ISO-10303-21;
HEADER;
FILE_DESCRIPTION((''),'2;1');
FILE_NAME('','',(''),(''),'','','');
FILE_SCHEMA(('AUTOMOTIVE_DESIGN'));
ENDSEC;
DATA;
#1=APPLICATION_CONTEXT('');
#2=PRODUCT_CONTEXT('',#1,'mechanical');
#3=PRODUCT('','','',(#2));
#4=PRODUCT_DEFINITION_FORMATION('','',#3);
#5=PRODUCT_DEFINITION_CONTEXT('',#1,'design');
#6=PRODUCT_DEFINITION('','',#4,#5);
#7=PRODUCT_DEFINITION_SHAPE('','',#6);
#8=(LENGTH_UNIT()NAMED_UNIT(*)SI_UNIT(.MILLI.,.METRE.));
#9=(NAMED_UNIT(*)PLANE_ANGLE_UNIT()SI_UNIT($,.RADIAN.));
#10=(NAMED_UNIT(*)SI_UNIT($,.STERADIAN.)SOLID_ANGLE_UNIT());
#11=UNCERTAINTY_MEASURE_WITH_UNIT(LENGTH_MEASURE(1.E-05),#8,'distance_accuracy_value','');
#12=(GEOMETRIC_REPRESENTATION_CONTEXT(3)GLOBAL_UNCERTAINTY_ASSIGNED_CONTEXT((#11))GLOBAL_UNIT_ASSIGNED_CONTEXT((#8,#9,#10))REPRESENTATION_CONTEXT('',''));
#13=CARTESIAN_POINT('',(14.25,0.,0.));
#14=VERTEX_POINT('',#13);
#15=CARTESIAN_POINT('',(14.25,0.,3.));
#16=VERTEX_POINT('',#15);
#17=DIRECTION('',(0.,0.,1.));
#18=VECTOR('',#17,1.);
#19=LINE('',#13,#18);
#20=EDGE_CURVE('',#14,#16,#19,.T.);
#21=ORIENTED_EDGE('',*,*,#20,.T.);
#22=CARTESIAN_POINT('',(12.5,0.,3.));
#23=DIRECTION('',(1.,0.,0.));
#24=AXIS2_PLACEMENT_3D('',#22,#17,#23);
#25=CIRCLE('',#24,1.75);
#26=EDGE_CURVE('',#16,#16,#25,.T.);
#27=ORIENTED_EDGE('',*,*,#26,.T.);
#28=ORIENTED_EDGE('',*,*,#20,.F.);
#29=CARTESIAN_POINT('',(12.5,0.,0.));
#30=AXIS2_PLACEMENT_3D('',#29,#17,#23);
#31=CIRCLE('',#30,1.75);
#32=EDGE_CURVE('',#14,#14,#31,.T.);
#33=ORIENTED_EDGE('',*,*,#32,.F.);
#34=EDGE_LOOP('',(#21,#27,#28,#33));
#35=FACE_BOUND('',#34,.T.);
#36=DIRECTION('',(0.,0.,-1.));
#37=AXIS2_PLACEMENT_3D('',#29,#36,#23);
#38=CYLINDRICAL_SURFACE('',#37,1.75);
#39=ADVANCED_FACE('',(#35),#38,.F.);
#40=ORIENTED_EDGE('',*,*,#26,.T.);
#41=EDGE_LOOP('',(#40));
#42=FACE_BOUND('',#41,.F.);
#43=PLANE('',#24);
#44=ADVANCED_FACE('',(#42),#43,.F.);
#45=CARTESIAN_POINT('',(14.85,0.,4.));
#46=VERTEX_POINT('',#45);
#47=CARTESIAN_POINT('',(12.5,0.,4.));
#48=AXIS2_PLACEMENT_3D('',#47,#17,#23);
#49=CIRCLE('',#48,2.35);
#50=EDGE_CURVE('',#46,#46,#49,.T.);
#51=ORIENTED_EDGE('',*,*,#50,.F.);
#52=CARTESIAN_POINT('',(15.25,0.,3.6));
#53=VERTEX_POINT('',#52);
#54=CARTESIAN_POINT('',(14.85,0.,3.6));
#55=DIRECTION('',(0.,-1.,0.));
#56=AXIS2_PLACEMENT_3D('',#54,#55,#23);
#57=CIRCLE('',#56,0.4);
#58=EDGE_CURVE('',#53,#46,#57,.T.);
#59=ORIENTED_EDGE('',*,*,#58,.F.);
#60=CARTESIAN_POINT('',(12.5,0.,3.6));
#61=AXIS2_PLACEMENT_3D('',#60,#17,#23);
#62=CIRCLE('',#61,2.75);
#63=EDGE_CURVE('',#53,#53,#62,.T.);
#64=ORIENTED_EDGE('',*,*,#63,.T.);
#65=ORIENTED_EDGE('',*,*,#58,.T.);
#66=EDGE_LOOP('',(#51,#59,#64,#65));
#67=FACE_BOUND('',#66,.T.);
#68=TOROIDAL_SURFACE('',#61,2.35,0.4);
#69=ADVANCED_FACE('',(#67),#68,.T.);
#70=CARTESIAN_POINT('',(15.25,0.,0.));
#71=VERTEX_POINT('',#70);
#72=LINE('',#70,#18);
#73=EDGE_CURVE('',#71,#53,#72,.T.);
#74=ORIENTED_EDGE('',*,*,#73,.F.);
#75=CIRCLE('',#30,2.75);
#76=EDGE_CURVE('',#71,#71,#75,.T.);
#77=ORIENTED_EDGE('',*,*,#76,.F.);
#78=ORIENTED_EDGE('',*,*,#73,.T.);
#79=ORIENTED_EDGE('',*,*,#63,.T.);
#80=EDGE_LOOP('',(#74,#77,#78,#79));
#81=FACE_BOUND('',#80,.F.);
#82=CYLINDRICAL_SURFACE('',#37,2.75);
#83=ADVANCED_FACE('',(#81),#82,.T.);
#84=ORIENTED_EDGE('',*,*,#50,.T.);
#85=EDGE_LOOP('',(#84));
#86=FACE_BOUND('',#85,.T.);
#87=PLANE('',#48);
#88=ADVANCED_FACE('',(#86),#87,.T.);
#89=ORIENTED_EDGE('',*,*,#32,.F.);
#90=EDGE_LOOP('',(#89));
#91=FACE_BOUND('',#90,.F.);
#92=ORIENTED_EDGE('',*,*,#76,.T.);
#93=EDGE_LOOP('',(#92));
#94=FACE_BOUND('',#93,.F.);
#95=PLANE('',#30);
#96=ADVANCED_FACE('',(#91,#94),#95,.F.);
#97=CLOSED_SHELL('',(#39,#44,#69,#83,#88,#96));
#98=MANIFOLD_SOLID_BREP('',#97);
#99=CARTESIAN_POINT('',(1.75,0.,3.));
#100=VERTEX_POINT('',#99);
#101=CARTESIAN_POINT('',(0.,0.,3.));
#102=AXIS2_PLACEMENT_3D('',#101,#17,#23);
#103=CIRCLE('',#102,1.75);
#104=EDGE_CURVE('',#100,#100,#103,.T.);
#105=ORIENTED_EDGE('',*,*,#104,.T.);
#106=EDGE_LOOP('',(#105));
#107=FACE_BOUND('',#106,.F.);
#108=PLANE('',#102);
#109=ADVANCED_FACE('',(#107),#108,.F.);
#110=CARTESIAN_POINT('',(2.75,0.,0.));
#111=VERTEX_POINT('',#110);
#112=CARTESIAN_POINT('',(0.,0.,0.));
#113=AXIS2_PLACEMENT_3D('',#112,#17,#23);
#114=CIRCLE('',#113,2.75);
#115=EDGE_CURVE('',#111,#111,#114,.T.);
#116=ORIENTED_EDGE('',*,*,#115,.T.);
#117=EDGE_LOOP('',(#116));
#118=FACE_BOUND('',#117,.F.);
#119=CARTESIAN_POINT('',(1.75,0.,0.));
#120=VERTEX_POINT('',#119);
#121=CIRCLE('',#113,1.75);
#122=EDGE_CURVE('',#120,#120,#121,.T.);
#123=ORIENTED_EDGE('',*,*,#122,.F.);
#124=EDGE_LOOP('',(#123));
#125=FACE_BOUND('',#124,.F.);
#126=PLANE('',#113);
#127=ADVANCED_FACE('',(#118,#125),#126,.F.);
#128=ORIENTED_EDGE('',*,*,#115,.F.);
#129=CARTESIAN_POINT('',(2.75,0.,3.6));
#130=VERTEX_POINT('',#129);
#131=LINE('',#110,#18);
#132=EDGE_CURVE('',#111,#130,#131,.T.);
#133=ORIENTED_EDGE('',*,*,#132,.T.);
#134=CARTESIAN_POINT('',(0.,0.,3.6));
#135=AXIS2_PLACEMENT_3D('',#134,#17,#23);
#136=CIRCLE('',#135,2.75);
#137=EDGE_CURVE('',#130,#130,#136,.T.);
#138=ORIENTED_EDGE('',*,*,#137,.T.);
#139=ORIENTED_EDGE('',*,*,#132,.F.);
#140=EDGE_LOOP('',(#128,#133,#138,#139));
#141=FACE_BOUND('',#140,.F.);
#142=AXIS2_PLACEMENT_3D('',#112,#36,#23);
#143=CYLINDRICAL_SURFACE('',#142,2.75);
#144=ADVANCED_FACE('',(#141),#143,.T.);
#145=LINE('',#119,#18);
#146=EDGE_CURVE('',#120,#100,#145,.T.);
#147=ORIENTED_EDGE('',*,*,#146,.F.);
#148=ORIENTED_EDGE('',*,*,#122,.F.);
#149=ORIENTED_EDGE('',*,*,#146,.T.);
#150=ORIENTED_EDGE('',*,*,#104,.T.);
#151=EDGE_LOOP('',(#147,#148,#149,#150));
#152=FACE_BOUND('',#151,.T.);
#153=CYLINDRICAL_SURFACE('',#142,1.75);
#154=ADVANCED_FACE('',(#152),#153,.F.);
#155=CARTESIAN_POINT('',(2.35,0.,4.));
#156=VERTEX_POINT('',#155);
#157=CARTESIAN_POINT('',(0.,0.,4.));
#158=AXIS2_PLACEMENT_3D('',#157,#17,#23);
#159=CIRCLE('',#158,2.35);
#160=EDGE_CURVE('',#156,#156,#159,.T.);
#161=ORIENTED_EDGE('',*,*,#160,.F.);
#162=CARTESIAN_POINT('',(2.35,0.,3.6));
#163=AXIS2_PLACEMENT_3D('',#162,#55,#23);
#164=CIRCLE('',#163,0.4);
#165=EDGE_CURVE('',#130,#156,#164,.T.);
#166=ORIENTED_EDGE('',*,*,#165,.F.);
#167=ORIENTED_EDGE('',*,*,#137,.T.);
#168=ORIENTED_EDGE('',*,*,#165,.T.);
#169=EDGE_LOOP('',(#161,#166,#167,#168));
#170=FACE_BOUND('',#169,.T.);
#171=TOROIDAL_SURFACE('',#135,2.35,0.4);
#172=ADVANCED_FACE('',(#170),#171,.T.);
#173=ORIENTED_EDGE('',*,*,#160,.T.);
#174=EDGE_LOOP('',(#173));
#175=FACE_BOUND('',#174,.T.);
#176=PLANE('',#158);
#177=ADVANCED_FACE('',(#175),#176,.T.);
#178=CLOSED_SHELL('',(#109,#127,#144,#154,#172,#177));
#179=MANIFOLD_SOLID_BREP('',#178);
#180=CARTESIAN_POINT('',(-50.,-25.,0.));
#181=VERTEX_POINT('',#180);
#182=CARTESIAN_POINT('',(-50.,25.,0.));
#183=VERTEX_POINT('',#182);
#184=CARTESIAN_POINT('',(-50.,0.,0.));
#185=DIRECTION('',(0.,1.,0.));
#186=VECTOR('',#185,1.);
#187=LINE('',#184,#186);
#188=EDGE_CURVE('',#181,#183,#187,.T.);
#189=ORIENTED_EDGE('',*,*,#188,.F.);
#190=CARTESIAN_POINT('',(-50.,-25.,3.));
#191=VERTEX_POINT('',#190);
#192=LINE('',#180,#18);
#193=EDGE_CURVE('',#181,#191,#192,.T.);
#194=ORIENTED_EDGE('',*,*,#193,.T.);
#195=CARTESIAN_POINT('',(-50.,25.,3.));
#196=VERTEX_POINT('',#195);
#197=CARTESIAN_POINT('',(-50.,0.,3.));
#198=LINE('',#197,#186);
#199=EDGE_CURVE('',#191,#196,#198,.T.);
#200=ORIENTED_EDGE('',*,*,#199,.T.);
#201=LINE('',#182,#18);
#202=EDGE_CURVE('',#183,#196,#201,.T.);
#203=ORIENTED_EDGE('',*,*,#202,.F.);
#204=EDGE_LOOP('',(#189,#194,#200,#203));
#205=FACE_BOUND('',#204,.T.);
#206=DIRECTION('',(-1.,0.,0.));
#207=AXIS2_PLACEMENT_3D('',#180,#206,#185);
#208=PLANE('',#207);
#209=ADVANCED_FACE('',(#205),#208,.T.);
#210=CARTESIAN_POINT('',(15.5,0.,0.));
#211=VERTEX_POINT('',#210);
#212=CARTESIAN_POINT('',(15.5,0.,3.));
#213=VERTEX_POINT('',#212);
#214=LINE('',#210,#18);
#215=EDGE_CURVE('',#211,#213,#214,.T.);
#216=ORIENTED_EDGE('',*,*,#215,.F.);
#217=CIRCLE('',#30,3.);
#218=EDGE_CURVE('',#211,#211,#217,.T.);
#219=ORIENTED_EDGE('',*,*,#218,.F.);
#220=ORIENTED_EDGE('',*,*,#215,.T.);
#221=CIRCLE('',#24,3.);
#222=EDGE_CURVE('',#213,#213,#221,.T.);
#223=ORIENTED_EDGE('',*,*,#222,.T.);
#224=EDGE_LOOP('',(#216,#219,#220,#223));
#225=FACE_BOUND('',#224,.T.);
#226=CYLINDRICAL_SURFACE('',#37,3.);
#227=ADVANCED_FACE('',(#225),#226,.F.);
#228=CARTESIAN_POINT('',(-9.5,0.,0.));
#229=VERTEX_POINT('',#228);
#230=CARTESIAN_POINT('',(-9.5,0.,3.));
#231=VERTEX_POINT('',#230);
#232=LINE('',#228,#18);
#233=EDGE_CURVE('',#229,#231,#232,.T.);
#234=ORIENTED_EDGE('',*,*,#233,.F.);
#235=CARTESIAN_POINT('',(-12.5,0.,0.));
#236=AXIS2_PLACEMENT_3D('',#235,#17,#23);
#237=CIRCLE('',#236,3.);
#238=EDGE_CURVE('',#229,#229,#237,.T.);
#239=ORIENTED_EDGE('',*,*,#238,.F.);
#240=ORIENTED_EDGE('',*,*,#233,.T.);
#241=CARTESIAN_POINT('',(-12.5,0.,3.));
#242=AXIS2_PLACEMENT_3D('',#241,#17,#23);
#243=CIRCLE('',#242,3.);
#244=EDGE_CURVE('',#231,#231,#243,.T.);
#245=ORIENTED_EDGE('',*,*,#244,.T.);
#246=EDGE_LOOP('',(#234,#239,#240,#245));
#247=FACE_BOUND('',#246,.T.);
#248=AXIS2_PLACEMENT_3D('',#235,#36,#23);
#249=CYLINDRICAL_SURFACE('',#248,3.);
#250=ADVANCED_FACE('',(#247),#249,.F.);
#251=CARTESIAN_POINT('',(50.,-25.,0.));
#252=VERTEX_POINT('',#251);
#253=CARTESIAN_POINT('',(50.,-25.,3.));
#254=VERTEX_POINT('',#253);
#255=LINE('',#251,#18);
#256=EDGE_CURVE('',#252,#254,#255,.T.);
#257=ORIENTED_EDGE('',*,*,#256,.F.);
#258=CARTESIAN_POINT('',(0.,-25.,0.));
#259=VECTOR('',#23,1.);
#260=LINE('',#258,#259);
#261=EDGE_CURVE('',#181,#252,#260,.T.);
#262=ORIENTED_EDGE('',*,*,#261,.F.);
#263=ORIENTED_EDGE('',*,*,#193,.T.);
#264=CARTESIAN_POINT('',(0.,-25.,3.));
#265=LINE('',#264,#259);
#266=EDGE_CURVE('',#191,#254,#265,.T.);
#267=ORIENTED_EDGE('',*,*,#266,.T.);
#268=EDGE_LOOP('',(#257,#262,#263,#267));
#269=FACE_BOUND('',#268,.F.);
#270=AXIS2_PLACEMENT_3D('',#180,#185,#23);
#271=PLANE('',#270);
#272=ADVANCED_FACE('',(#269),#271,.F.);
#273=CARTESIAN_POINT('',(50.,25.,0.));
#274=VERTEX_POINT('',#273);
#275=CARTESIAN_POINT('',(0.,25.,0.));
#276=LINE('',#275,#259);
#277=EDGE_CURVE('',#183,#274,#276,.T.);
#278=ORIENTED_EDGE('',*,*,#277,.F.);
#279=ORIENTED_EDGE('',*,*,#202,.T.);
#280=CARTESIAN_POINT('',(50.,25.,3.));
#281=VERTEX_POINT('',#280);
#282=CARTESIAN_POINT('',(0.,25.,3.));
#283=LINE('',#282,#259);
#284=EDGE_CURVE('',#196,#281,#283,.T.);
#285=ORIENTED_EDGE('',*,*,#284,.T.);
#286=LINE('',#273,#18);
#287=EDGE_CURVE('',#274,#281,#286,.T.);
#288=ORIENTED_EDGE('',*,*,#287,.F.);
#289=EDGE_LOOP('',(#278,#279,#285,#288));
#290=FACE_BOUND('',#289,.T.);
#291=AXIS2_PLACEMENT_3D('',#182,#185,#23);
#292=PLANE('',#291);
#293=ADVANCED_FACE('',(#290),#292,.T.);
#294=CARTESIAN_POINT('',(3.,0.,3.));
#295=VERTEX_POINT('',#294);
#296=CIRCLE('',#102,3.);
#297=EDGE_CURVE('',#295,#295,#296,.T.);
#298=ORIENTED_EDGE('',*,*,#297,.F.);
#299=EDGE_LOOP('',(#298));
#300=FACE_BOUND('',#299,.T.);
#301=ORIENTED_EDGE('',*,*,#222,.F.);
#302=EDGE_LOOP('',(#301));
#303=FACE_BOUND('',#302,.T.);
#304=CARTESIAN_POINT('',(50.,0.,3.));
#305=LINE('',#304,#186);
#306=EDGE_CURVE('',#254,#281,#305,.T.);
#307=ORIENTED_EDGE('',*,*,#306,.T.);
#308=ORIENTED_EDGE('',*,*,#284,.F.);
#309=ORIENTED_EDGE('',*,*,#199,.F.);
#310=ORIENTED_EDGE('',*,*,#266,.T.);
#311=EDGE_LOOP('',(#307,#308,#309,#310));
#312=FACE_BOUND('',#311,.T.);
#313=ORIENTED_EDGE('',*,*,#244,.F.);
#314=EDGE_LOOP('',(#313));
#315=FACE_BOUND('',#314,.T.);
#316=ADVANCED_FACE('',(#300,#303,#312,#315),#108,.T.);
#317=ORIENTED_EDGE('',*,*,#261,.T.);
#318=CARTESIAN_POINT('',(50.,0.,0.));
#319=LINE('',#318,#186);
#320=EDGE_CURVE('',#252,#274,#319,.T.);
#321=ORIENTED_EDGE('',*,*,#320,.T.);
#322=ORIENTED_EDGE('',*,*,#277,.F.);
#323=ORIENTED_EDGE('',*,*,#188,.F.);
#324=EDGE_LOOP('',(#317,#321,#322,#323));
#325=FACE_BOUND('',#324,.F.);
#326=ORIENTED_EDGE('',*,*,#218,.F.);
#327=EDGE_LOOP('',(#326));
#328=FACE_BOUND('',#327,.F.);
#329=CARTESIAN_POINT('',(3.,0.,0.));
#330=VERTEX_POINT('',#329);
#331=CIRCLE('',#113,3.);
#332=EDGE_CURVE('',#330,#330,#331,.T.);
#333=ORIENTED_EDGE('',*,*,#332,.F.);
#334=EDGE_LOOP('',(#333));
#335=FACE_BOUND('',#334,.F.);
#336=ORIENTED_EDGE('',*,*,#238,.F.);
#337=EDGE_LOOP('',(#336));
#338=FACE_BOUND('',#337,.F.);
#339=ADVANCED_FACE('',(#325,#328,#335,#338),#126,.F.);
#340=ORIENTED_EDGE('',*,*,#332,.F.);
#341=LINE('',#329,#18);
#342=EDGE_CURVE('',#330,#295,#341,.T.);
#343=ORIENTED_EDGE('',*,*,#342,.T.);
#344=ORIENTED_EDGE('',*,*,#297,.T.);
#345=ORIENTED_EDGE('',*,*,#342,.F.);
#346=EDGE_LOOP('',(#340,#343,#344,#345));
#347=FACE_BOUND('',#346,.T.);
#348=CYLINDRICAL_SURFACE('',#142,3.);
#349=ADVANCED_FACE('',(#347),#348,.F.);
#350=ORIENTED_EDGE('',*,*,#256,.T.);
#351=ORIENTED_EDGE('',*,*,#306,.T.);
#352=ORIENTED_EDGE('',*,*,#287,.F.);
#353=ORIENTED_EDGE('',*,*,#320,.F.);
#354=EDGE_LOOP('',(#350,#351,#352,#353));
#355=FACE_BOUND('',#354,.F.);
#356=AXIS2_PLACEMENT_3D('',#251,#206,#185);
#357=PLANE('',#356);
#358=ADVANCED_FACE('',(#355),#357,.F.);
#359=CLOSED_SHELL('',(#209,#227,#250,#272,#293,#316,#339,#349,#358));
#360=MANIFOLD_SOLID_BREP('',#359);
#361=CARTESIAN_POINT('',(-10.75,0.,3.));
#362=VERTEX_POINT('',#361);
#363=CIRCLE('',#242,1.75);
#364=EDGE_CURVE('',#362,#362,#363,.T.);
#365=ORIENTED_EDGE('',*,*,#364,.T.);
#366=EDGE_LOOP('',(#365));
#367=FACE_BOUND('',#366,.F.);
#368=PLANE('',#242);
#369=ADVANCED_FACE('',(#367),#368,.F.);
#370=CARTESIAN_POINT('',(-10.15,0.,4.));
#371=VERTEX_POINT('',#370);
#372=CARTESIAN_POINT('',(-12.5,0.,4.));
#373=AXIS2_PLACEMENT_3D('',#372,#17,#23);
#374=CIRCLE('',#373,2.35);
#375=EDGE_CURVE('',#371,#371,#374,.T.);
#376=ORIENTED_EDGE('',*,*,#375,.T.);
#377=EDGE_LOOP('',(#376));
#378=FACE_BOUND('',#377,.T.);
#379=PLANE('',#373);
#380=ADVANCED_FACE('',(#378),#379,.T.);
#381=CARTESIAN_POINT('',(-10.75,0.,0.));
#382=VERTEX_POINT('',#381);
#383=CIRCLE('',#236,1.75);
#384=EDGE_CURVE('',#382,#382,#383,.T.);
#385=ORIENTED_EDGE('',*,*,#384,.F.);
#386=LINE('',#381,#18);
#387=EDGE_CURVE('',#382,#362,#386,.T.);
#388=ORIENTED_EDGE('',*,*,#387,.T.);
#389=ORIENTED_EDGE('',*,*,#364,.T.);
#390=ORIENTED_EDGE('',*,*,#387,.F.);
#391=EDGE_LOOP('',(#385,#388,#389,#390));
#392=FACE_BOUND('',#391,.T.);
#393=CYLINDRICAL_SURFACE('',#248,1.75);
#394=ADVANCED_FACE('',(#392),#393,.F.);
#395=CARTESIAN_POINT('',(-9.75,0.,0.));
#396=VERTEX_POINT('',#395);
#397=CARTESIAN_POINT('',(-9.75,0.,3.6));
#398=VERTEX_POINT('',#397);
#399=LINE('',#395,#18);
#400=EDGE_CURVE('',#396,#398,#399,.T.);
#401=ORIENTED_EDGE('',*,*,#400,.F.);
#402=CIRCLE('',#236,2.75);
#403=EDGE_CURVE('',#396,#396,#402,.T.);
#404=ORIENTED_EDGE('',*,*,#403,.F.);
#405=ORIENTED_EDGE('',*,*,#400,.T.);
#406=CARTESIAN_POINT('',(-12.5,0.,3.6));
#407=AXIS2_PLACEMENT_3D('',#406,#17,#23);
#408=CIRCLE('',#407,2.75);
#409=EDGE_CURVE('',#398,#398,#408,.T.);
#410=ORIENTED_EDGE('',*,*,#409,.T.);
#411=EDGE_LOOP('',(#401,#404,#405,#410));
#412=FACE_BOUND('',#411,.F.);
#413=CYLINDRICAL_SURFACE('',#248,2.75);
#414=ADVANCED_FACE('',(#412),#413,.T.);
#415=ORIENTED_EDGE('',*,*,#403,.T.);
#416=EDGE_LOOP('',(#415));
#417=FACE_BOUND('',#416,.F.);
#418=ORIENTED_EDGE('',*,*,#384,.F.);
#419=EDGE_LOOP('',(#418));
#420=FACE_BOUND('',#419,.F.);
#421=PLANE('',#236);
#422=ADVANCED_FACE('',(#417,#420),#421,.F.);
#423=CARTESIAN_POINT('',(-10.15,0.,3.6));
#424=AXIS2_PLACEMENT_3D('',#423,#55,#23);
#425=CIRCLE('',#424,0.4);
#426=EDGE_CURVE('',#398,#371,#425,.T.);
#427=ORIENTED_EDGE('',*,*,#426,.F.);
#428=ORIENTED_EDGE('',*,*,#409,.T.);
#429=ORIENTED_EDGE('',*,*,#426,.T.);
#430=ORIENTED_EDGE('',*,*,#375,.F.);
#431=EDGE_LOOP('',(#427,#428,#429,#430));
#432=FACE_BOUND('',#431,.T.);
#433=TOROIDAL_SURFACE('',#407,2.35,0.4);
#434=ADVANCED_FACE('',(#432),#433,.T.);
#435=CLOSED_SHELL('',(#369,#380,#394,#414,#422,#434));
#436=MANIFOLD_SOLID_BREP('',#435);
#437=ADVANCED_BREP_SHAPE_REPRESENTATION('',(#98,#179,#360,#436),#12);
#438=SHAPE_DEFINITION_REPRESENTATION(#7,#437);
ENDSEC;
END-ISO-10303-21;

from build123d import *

# Parameters (mm, degrees)
F0_W     = 100
F0_H     = 50
F0_R     = 3
F1_DEPTH = 3
F0_R_2   = 2.75
F0_R_3   = 1.75
F2_DEPTH = 4
F3_DEPTH = 3
F4_R     = 0.4
F4_2_R   = 0.4
F4_3_R   = 0.4


with BuildPart() as f1:
    # F0 (on Top) → F1 (new body)
    with BuildSketch(Plane.XY):
        Rectangle(F0_W, F0_H)
        with Locations((-12.5, 0)):
            Circle(F0_R, mode=Mode.SUBTRACT)
        Circle(F0_R, mode=Mode.SUBTRACT)
        with Locations((12.5, 0)):
            Circle(F0_R, mode=Mode.SUBTRACT)
    extrude(amount=F1_DEPTH)


with BuildPart() as f2:
    # F0 (on Top) → F2 (new body)
    with BuildSketch(Plane.XY):
        with Locations((-12.5, 0)):
            Circle(F0_R_2)
        with Locations((-12.5, 0)):
            Circle(F0_R_3, mode=Mode.SUBTRACT)
        with Locations((-12.5, 0)):
            Circle(F0_R_3)
    extrude(amount=F2_DEPTH)


with BuildPart() as f2b:
    # F0 (on Top) → F2, piece 2 (new body)
    with BuildSketch(Plane.XY):
        Circle(F0_R_2)
        Circle(F0_R_3, mode=Mode.SUBTRACT)
        Circle(F0_R_3)
    extrude(amount=F2_DEPTH)


with BuildPart() as f2c:
    # F0 (on Top) → F2, piece 3 (new body)
    with BuildSketch(Plane.XY):
        with Locations((12.5, 0)):
            Circle(F0_R_2)
        with Locations((12.5, 0)):
            Circle(F0_R_3, mode=Mode.SUBTRACT)
        with Locations((12.5, 0)):
            Circle(F0_R_3)
    extrude(amount=F2_DEPTH)


with BuildPart() as f3_tool:
    # F0 (on Top) → F3 (new body)
    with BuildSketch(Plane.XY):
        with Locations((-12.5, 0)):
            Circle(F0_R_3)
        Circle(F0_R_3)
        with Locations((12.5, 0)):
            Circle(F0_R_3)
    extrude(amount=F3_DEPTH)


with BuildPart() as f2_1:
    add(f2.part)

    # F3: cut by f3_tool
    add(f3_tool.part, mode=Mode.SUBTRACT)

    # F4#3
    f4_3_edges = [f2_1.edges().sort_by_distance(p)[0] for p in [
        (-15.25, 0, 4),
    ]]
    fillet(f4_3_edges, radius=F4_3_R)


with BuildPart() as f2b_1:
    add(f2b.part)

    # F3: cut by f3_tool
    add(f3_tool.part, mode=Mode.SUBTRACT)

    # F4#2
    f4_2_edges = [f2b_1.edges().sort_by_distance(p)[0] for p in [
        (-2.75, 0, 4),
    ]]
    fillet(f4_2_edges, radius=F4_2_R)


with BuildPart() as f2c_1:
    add(f2c.part)

    # F3: cut by f3_tool
    add(f3_tool.part, mode=Mode.SUBTRACT)

    # F4
    f4_edges = [f2c_1.edges().sort_by_distance(p)[0] for p in [
        (9.75, 0, 4),
    ]]
    fillet(f4_edges, radius=F4_R)


solid = Compound([f1.part, f2_1.part, f2b_1.part, f2c_1.part])
